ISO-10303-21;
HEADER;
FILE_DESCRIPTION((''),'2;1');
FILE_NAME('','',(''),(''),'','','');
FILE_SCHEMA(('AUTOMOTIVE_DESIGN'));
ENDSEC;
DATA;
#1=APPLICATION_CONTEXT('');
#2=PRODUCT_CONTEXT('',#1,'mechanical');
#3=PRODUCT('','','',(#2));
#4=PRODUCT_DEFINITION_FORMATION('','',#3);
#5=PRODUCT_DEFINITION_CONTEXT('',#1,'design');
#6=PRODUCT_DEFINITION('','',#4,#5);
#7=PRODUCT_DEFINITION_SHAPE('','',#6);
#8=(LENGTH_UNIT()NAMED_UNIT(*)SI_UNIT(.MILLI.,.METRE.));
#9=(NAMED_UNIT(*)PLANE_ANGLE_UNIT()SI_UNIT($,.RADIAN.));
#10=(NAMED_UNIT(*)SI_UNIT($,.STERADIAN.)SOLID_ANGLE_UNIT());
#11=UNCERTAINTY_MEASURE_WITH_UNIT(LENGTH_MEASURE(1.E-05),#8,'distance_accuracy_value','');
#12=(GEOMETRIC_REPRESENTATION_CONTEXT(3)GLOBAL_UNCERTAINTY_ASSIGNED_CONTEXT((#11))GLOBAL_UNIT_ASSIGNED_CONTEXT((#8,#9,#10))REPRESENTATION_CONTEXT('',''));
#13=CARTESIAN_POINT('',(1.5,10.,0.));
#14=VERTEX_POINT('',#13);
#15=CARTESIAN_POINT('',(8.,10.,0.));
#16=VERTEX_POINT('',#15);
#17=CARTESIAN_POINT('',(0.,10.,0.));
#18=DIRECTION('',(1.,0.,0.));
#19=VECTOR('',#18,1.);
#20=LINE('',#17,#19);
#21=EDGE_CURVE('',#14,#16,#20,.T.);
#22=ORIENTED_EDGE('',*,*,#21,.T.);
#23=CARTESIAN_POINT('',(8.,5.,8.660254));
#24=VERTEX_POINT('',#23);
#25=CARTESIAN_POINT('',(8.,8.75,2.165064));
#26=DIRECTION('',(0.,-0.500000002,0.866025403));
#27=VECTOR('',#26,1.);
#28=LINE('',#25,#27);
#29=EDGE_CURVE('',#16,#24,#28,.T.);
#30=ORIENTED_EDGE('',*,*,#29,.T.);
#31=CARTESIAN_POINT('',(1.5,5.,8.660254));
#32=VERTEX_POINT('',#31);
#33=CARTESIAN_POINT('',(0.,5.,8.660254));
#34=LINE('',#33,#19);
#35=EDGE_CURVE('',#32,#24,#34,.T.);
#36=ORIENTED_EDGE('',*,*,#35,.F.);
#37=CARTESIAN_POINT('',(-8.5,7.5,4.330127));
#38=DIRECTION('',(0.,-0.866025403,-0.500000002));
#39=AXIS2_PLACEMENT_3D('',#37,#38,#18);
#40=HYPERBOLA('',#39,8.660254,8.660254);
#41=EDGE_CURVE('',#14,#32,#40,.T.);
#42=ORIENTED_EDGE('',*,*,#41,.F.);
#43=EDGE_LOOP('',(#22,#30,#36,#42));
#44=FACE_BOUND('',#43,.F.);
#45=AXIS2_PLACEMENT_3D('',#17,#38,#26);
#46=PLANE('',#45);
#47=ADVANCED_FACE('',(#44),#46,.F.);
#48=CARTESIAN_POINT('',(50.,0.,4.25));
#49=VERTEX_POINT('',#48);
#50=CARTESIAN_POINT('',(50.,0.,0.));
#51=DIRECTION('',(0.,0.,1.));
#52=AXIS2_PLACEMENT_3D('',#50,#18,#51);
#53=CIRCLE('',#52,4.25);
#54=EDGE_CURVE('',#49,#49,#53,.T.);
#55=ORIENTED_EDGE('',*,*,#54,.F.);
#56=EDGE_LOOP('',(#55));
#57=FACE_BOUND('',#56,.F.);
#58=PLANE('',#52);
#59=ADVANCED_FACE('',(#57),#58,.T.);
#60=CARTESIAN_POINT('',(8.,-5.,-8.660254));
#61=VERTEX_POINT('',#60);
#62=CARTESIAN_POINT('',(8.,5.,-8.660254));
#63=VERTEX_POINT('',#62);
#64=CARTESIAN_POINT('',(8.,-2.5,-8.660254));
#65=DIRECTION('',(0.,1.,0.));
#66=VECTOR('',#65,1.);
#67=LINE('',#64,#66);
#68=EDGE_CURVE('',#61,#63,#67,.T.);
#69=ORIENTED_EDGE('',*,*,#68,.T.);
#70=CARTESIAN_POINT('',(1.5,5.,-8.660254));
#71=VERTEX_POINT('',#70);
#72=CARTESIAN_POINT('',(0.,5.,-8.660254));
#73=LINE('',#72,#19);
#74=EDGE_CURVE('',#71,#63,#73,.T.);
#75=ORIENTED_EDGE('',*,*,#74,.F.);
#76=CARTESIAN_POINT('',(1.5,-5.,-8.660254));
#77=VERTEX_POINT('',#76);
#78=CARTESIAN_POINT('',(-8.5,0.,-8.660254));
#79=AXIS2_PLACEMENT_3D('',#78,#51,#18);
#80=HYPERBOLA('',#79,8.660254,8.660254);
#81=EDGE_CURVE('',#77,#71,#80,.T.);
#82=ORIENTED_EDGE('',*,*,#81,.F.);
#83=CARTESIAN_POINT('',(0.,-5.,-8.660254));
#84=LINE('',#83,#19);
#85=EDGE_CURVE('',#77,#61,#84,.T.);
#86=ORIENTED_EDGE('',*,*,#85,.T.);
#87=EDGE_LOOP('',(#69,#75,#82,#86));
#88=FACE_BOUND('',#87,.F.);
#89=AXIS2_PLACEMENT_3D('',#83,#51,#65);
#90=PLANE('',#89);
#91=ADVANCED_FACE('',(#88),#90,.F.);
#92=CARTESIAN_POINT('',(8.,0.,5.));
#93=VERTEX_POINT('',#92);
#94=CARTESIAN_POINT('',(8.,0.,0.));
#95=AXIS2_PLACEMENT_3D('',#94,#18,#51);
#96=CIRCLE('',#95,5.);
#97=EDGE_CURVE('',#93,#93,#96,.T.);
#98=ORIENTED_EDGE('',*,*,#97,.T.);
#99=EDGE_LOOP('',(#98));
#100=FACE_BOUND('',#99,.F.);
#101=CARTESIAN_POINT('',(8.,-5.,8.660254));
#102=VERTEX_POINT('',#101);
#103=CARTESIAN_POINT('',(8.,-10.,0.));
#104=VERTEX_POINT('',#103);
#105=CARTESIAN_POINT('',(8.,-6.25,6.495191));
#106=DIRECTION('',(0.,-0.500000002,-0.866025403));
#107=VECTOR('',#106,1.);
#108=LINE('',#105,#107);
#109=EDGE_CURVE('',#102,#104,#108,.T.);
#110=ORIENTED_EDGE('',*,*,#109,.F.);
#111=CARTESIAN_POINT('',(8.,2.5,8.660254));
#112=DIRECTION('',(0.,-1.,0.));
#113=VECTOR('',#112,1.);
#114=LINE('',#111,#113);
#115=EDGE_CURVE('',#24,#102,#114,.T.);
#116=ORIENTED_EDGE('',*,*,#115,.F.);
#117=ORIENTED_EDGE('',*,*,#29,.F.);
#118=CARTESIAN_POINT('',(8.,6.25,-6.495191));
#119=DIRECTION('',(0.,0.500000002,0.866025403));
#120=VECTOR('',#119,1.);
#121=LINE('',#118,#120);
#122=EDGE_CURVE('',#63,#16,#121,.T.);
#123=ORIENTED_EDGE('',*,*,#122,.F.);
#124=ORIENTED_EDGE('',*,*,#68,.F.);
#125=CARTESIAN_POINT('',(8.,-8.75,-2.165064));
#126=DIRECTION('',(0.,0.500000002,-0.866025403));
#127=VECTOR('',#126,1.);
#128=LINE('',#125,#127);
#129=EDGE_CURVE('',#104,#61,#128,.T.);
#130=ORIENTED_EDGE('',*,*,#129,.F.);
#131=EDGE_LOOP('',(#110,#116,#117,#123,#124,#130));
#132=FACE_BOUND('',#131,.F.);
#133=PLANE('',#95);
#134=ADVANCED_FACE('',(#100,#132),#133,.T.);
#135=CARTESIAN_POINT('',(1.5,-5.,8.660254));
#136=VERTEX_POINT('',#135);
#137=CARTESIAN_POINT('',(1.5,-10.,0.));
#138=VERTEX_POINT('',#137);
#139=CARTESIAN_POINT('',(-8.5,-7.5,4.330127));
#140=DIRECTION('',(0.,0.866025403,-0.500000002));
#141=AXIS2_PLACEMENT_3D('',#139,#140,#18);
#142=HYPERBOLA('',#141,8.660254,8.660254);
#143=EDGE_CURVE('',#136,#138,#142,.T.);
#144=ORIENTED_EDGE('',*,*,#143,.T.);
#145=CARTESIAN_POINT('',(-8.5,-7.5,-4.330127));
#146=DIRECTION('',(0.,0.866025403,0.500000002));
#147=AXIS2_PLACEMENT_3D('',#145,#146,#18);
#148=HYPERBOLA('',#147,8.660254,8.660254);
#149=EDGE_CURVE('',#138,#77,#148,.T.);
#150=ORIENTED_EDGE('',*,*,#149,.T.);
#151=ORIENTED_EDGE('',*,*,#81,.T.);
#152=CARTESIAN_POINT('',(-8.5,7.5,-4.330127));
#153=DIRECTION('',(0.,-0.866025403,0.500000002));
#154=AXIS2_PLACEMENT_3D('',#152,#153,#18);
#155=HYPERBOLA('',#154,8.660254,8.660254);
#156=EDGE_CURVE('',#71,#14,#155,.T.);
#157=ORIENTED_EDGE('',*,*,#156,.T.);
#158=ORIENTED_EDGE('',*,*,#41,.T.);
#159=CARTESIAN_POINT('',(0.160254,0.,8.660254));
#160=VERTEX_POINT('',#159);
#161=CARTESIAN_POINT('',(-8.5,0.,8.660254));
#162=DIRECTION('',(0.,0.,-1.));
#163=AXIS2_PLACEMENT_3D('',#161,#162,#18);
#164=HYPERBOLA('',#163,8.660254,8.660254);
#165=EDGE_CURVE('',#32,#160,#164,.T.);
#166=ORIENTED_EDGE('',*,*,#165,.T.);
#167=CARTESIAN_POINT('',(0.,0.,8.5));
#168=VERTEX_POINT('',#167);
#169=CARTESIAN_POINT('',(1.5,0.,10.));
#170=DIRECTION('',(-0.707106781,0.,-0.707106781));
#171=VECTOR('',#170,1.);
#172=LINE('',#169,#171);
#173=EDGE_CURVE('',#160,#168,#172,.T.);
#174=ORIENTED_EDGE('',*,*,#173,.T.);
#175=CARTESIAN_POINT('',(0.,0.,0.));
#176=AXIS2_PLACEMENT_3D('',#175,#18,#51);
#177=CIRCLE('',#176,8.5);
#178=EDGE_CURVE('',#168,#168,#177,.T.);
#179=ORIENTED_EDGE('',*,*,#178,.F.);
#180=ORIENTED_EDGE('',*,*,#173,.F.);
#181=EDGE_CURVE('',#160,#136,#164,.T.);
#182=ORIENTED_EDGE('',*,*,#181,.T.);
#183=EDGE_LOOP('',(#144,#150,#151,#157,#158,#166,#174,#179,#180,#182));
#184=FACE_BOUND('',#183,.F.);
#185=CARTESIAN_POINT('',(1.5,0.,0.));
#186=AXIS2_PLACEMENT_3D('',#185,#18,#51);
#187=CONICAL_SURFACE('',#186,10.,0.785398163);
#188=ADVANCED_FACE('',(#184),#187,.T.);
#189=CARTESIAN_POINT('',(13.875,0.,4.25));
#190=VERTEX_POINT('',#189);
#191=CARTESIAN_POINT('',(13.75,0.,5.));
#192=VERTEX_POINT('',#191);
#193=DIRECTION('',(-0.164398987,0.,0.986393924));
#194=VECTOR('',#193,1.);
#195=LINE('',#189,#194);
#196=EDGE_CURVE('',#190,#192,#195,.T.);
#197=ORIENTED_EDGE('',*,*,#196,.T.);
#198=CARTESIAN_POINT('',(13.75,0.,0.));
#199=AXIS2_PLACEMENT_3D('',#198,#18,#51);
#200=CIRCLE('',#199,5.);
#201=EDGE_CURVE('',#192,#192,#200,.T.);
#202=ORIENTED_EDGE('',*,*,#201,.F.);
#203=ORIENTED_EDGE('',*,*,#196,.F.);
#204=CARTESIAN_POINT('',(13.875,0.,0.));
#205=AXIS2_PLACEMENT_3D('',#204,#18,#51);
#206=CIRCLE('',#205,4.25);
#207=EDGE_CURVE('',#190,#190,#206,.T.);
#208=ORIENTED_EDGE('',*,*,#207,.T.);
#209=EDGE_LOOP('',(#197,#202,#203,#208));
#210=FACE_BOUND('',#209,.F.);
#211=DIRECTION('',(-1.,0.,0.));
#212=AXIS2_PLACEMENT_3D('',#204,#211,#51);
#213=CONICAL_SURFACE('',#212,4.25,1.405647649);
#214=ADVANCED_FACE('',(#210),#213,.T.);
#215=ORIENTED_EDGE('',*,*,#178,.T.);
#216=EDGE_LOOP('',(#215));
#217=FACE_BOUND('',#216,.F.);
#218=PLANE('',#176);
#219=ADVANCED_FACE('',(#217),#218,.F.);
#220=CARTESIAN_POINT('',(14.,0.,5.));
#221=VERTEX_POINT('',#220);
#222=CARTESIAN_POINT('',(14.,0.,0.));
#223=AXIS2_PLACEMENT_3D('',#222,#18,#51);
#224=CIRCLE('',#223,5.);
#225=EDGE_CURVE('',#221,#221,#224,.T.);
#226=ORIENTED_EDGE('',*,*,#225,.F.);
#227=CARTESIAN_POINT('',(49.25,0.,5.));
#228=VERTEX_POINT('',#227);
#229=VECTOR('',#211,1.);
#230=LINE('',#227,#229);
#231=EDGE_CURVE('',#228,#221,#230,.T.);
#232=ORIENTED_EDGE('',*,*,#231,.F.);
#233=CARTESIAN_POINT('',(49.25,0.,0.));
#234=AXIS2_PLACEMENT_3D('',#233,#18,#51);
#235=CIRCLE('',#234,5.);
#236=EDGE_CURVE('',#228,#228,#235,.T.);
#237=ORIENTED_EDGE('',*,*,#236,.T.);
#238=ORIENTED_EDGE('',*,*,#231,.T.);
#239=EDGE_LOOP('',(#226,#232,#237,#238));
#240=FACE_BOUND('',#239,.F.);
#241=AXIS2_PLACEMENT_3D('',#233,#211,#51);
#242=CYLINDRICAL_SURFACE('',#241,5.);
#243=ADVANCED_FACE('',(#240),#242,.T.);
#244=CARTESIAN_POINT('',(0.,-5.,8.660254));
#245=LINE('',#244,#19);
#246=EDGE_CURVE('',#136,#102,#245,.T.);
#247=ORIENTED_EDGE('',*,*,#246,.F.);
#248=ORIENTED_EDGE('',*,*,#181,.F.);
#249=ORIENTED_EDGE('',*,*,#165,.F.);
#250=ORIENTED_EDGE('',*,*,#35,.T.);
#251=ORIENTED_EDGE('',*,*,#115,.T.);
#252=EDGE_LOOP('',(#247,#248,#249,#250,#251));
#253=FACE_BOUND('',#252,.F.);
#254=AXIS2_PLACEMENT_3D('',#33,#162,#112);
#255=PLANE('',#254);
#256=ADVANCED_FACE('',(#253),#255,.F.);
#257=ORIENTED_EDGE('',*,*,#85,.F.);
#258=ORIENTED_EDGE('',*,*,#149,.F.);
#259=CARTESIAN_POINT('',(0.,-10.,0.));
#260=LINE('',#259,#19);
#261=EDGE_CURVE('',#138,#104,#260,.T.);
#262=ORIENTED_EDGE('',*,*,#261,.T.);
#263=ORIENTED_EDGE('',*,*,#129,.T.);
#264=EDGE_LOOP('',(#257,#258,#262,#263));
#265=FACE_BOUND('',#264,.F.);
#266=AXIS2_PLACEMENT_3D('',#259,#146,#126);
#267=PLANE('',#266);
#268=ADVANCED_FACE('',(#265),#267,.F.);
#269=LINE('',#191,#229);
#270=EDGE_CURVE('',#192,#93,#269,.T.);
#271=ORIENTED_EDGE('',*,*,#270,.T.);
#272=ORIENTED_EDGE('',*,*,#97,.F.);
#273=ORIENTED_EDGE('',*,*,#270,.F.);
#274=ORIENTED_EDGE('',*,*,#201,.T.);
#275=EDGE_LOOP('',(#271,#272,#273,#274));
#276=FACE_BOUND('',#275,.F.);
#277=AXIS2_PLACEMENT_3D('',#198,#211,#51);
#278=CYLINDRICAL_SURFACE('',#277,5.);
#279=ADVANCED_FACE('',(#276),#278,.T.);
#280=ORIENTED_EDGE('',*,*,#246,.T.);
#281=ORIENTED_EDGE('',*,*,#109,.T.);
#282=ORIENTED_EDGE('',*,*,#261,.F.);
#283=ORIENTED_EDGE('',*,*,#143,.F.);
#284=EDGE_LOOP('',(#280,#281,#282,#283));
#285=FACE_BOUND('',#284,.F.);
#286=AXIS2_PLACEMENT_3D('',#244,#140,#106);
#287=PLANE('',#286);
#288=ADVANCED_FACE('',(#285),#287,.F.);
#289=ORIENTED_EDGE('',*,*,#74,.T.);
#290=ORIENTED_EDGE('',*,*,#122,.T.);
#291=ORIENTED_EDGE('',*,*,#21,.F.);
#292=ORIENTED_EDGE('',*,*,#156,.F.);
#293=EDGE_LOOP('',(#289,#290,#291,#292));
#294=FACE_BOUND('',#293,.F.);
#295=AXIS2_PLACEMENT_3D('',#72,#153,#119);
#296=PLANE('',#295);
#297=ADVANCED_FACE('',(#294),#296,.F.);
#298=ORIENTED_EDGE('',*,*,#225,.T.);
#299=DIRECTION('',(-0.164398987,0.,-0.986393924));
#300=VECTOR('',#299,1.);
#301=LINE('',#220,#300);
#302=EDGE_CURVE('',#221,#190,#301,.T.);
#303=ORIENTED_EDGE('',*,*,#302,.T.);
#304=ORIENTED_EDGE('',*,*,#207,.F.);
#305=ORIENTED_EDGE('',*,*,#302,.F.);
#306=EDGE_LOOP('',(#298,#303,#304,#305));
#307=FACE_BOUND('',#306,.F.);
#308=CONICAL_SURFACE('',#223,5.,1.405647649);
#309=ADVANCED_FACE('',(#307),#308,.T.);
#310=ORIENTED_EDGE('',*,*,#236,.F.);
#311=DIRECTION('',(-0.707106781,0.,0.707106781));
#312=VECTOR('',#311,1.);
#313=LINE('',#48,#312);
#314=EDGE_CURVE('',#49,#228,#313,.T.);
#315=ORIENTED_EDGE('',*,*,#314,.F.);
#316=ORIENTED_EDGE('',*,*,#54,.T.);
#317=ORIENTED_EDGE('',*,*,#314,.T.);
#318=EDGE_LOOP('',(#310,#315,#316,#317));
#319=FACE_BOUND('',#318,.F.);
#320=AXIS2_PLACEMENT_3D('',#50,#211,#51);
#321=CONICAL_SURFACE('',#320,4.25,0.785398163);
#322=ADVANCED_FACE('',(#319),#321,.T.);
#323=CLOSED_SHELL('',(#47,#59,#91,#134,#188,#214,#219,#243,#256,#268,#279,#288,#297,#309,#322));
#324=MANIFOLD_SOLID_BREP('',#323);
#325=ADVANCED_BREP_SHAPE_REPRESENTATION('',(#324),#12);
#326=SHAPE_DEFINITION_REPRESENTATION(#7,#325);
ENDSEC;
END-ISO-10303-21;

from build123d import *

# Parameters (mm, degrees)
F2_SIZE  = 1.5
F4_DEPTH = 50.001


with BuildPart() as f1:
    # F0 (on Front) → F1 (revolve)
    with BuildSketch(Plane.XZ):
        Polygon((8, 5), (8, 10), (0, 10), (0, 0), (50, 0), (50, 4.25), (49.25, 5), (14, 5), (13.875, 4.25), (13.75, 5), align=None)
    revolve(axis=Axis((25, 0, 0), (1, 0, 0)))

    # F2
    f2_edges = [f1.edges().sort_by_distance(p)[0] for p in [
        (0, 0, -10),
    ]]
    chamfer(f2_edges, length=F2_SIZE)

    # F3 (on face) → F4 (cut, through all)
    with BuildSketch(Plane(origin=(0, 0, 0), x_dir=(0, -1, 0), z_dir=(-1, 0, 0))):
        with BuildLine():
            Line((-10, 0), (-5, 8.660254))
            ThreePointArc((-5, 8.660254), (-8.660254, 5), (-10, 0))
        make_face()
        with BuildLine():
            Line((-5, 8.660254), (5, 8.660254))
            ThreePointArc((5, 8.660254), (0, 10), (-5, 8.660254))
        make_face()
        with BuildLine():
            Line((5, 8.660254), (10, 0))
            ThreePointArc((10, 0), (8.660254, 5), (5, 8.660254))
        make_face()
        with BuildLine():
            ThreePointArc((5, -8.660254), (8.660254, -5), (10, 0))
            Line((10, 0), (5, -8.660254))
        make_face()
        with BuildLine():
            ThreePointArc((-5, -8.660254), (0, -10), (5, -8.660254))
            Line((5, -8.660254), (-5, -8.660254))
        make_face()
        with BuildLine():
            ThreePointArc((-10, 0), (-8.660254, -5), (-5, -8.660254))
            Line((-5, -8.660254), (-10, 0))
        make_face()
    extrude(amount=-F4_DEPTH, mode=Mode.SUBTRACT)


solid = f1.part
